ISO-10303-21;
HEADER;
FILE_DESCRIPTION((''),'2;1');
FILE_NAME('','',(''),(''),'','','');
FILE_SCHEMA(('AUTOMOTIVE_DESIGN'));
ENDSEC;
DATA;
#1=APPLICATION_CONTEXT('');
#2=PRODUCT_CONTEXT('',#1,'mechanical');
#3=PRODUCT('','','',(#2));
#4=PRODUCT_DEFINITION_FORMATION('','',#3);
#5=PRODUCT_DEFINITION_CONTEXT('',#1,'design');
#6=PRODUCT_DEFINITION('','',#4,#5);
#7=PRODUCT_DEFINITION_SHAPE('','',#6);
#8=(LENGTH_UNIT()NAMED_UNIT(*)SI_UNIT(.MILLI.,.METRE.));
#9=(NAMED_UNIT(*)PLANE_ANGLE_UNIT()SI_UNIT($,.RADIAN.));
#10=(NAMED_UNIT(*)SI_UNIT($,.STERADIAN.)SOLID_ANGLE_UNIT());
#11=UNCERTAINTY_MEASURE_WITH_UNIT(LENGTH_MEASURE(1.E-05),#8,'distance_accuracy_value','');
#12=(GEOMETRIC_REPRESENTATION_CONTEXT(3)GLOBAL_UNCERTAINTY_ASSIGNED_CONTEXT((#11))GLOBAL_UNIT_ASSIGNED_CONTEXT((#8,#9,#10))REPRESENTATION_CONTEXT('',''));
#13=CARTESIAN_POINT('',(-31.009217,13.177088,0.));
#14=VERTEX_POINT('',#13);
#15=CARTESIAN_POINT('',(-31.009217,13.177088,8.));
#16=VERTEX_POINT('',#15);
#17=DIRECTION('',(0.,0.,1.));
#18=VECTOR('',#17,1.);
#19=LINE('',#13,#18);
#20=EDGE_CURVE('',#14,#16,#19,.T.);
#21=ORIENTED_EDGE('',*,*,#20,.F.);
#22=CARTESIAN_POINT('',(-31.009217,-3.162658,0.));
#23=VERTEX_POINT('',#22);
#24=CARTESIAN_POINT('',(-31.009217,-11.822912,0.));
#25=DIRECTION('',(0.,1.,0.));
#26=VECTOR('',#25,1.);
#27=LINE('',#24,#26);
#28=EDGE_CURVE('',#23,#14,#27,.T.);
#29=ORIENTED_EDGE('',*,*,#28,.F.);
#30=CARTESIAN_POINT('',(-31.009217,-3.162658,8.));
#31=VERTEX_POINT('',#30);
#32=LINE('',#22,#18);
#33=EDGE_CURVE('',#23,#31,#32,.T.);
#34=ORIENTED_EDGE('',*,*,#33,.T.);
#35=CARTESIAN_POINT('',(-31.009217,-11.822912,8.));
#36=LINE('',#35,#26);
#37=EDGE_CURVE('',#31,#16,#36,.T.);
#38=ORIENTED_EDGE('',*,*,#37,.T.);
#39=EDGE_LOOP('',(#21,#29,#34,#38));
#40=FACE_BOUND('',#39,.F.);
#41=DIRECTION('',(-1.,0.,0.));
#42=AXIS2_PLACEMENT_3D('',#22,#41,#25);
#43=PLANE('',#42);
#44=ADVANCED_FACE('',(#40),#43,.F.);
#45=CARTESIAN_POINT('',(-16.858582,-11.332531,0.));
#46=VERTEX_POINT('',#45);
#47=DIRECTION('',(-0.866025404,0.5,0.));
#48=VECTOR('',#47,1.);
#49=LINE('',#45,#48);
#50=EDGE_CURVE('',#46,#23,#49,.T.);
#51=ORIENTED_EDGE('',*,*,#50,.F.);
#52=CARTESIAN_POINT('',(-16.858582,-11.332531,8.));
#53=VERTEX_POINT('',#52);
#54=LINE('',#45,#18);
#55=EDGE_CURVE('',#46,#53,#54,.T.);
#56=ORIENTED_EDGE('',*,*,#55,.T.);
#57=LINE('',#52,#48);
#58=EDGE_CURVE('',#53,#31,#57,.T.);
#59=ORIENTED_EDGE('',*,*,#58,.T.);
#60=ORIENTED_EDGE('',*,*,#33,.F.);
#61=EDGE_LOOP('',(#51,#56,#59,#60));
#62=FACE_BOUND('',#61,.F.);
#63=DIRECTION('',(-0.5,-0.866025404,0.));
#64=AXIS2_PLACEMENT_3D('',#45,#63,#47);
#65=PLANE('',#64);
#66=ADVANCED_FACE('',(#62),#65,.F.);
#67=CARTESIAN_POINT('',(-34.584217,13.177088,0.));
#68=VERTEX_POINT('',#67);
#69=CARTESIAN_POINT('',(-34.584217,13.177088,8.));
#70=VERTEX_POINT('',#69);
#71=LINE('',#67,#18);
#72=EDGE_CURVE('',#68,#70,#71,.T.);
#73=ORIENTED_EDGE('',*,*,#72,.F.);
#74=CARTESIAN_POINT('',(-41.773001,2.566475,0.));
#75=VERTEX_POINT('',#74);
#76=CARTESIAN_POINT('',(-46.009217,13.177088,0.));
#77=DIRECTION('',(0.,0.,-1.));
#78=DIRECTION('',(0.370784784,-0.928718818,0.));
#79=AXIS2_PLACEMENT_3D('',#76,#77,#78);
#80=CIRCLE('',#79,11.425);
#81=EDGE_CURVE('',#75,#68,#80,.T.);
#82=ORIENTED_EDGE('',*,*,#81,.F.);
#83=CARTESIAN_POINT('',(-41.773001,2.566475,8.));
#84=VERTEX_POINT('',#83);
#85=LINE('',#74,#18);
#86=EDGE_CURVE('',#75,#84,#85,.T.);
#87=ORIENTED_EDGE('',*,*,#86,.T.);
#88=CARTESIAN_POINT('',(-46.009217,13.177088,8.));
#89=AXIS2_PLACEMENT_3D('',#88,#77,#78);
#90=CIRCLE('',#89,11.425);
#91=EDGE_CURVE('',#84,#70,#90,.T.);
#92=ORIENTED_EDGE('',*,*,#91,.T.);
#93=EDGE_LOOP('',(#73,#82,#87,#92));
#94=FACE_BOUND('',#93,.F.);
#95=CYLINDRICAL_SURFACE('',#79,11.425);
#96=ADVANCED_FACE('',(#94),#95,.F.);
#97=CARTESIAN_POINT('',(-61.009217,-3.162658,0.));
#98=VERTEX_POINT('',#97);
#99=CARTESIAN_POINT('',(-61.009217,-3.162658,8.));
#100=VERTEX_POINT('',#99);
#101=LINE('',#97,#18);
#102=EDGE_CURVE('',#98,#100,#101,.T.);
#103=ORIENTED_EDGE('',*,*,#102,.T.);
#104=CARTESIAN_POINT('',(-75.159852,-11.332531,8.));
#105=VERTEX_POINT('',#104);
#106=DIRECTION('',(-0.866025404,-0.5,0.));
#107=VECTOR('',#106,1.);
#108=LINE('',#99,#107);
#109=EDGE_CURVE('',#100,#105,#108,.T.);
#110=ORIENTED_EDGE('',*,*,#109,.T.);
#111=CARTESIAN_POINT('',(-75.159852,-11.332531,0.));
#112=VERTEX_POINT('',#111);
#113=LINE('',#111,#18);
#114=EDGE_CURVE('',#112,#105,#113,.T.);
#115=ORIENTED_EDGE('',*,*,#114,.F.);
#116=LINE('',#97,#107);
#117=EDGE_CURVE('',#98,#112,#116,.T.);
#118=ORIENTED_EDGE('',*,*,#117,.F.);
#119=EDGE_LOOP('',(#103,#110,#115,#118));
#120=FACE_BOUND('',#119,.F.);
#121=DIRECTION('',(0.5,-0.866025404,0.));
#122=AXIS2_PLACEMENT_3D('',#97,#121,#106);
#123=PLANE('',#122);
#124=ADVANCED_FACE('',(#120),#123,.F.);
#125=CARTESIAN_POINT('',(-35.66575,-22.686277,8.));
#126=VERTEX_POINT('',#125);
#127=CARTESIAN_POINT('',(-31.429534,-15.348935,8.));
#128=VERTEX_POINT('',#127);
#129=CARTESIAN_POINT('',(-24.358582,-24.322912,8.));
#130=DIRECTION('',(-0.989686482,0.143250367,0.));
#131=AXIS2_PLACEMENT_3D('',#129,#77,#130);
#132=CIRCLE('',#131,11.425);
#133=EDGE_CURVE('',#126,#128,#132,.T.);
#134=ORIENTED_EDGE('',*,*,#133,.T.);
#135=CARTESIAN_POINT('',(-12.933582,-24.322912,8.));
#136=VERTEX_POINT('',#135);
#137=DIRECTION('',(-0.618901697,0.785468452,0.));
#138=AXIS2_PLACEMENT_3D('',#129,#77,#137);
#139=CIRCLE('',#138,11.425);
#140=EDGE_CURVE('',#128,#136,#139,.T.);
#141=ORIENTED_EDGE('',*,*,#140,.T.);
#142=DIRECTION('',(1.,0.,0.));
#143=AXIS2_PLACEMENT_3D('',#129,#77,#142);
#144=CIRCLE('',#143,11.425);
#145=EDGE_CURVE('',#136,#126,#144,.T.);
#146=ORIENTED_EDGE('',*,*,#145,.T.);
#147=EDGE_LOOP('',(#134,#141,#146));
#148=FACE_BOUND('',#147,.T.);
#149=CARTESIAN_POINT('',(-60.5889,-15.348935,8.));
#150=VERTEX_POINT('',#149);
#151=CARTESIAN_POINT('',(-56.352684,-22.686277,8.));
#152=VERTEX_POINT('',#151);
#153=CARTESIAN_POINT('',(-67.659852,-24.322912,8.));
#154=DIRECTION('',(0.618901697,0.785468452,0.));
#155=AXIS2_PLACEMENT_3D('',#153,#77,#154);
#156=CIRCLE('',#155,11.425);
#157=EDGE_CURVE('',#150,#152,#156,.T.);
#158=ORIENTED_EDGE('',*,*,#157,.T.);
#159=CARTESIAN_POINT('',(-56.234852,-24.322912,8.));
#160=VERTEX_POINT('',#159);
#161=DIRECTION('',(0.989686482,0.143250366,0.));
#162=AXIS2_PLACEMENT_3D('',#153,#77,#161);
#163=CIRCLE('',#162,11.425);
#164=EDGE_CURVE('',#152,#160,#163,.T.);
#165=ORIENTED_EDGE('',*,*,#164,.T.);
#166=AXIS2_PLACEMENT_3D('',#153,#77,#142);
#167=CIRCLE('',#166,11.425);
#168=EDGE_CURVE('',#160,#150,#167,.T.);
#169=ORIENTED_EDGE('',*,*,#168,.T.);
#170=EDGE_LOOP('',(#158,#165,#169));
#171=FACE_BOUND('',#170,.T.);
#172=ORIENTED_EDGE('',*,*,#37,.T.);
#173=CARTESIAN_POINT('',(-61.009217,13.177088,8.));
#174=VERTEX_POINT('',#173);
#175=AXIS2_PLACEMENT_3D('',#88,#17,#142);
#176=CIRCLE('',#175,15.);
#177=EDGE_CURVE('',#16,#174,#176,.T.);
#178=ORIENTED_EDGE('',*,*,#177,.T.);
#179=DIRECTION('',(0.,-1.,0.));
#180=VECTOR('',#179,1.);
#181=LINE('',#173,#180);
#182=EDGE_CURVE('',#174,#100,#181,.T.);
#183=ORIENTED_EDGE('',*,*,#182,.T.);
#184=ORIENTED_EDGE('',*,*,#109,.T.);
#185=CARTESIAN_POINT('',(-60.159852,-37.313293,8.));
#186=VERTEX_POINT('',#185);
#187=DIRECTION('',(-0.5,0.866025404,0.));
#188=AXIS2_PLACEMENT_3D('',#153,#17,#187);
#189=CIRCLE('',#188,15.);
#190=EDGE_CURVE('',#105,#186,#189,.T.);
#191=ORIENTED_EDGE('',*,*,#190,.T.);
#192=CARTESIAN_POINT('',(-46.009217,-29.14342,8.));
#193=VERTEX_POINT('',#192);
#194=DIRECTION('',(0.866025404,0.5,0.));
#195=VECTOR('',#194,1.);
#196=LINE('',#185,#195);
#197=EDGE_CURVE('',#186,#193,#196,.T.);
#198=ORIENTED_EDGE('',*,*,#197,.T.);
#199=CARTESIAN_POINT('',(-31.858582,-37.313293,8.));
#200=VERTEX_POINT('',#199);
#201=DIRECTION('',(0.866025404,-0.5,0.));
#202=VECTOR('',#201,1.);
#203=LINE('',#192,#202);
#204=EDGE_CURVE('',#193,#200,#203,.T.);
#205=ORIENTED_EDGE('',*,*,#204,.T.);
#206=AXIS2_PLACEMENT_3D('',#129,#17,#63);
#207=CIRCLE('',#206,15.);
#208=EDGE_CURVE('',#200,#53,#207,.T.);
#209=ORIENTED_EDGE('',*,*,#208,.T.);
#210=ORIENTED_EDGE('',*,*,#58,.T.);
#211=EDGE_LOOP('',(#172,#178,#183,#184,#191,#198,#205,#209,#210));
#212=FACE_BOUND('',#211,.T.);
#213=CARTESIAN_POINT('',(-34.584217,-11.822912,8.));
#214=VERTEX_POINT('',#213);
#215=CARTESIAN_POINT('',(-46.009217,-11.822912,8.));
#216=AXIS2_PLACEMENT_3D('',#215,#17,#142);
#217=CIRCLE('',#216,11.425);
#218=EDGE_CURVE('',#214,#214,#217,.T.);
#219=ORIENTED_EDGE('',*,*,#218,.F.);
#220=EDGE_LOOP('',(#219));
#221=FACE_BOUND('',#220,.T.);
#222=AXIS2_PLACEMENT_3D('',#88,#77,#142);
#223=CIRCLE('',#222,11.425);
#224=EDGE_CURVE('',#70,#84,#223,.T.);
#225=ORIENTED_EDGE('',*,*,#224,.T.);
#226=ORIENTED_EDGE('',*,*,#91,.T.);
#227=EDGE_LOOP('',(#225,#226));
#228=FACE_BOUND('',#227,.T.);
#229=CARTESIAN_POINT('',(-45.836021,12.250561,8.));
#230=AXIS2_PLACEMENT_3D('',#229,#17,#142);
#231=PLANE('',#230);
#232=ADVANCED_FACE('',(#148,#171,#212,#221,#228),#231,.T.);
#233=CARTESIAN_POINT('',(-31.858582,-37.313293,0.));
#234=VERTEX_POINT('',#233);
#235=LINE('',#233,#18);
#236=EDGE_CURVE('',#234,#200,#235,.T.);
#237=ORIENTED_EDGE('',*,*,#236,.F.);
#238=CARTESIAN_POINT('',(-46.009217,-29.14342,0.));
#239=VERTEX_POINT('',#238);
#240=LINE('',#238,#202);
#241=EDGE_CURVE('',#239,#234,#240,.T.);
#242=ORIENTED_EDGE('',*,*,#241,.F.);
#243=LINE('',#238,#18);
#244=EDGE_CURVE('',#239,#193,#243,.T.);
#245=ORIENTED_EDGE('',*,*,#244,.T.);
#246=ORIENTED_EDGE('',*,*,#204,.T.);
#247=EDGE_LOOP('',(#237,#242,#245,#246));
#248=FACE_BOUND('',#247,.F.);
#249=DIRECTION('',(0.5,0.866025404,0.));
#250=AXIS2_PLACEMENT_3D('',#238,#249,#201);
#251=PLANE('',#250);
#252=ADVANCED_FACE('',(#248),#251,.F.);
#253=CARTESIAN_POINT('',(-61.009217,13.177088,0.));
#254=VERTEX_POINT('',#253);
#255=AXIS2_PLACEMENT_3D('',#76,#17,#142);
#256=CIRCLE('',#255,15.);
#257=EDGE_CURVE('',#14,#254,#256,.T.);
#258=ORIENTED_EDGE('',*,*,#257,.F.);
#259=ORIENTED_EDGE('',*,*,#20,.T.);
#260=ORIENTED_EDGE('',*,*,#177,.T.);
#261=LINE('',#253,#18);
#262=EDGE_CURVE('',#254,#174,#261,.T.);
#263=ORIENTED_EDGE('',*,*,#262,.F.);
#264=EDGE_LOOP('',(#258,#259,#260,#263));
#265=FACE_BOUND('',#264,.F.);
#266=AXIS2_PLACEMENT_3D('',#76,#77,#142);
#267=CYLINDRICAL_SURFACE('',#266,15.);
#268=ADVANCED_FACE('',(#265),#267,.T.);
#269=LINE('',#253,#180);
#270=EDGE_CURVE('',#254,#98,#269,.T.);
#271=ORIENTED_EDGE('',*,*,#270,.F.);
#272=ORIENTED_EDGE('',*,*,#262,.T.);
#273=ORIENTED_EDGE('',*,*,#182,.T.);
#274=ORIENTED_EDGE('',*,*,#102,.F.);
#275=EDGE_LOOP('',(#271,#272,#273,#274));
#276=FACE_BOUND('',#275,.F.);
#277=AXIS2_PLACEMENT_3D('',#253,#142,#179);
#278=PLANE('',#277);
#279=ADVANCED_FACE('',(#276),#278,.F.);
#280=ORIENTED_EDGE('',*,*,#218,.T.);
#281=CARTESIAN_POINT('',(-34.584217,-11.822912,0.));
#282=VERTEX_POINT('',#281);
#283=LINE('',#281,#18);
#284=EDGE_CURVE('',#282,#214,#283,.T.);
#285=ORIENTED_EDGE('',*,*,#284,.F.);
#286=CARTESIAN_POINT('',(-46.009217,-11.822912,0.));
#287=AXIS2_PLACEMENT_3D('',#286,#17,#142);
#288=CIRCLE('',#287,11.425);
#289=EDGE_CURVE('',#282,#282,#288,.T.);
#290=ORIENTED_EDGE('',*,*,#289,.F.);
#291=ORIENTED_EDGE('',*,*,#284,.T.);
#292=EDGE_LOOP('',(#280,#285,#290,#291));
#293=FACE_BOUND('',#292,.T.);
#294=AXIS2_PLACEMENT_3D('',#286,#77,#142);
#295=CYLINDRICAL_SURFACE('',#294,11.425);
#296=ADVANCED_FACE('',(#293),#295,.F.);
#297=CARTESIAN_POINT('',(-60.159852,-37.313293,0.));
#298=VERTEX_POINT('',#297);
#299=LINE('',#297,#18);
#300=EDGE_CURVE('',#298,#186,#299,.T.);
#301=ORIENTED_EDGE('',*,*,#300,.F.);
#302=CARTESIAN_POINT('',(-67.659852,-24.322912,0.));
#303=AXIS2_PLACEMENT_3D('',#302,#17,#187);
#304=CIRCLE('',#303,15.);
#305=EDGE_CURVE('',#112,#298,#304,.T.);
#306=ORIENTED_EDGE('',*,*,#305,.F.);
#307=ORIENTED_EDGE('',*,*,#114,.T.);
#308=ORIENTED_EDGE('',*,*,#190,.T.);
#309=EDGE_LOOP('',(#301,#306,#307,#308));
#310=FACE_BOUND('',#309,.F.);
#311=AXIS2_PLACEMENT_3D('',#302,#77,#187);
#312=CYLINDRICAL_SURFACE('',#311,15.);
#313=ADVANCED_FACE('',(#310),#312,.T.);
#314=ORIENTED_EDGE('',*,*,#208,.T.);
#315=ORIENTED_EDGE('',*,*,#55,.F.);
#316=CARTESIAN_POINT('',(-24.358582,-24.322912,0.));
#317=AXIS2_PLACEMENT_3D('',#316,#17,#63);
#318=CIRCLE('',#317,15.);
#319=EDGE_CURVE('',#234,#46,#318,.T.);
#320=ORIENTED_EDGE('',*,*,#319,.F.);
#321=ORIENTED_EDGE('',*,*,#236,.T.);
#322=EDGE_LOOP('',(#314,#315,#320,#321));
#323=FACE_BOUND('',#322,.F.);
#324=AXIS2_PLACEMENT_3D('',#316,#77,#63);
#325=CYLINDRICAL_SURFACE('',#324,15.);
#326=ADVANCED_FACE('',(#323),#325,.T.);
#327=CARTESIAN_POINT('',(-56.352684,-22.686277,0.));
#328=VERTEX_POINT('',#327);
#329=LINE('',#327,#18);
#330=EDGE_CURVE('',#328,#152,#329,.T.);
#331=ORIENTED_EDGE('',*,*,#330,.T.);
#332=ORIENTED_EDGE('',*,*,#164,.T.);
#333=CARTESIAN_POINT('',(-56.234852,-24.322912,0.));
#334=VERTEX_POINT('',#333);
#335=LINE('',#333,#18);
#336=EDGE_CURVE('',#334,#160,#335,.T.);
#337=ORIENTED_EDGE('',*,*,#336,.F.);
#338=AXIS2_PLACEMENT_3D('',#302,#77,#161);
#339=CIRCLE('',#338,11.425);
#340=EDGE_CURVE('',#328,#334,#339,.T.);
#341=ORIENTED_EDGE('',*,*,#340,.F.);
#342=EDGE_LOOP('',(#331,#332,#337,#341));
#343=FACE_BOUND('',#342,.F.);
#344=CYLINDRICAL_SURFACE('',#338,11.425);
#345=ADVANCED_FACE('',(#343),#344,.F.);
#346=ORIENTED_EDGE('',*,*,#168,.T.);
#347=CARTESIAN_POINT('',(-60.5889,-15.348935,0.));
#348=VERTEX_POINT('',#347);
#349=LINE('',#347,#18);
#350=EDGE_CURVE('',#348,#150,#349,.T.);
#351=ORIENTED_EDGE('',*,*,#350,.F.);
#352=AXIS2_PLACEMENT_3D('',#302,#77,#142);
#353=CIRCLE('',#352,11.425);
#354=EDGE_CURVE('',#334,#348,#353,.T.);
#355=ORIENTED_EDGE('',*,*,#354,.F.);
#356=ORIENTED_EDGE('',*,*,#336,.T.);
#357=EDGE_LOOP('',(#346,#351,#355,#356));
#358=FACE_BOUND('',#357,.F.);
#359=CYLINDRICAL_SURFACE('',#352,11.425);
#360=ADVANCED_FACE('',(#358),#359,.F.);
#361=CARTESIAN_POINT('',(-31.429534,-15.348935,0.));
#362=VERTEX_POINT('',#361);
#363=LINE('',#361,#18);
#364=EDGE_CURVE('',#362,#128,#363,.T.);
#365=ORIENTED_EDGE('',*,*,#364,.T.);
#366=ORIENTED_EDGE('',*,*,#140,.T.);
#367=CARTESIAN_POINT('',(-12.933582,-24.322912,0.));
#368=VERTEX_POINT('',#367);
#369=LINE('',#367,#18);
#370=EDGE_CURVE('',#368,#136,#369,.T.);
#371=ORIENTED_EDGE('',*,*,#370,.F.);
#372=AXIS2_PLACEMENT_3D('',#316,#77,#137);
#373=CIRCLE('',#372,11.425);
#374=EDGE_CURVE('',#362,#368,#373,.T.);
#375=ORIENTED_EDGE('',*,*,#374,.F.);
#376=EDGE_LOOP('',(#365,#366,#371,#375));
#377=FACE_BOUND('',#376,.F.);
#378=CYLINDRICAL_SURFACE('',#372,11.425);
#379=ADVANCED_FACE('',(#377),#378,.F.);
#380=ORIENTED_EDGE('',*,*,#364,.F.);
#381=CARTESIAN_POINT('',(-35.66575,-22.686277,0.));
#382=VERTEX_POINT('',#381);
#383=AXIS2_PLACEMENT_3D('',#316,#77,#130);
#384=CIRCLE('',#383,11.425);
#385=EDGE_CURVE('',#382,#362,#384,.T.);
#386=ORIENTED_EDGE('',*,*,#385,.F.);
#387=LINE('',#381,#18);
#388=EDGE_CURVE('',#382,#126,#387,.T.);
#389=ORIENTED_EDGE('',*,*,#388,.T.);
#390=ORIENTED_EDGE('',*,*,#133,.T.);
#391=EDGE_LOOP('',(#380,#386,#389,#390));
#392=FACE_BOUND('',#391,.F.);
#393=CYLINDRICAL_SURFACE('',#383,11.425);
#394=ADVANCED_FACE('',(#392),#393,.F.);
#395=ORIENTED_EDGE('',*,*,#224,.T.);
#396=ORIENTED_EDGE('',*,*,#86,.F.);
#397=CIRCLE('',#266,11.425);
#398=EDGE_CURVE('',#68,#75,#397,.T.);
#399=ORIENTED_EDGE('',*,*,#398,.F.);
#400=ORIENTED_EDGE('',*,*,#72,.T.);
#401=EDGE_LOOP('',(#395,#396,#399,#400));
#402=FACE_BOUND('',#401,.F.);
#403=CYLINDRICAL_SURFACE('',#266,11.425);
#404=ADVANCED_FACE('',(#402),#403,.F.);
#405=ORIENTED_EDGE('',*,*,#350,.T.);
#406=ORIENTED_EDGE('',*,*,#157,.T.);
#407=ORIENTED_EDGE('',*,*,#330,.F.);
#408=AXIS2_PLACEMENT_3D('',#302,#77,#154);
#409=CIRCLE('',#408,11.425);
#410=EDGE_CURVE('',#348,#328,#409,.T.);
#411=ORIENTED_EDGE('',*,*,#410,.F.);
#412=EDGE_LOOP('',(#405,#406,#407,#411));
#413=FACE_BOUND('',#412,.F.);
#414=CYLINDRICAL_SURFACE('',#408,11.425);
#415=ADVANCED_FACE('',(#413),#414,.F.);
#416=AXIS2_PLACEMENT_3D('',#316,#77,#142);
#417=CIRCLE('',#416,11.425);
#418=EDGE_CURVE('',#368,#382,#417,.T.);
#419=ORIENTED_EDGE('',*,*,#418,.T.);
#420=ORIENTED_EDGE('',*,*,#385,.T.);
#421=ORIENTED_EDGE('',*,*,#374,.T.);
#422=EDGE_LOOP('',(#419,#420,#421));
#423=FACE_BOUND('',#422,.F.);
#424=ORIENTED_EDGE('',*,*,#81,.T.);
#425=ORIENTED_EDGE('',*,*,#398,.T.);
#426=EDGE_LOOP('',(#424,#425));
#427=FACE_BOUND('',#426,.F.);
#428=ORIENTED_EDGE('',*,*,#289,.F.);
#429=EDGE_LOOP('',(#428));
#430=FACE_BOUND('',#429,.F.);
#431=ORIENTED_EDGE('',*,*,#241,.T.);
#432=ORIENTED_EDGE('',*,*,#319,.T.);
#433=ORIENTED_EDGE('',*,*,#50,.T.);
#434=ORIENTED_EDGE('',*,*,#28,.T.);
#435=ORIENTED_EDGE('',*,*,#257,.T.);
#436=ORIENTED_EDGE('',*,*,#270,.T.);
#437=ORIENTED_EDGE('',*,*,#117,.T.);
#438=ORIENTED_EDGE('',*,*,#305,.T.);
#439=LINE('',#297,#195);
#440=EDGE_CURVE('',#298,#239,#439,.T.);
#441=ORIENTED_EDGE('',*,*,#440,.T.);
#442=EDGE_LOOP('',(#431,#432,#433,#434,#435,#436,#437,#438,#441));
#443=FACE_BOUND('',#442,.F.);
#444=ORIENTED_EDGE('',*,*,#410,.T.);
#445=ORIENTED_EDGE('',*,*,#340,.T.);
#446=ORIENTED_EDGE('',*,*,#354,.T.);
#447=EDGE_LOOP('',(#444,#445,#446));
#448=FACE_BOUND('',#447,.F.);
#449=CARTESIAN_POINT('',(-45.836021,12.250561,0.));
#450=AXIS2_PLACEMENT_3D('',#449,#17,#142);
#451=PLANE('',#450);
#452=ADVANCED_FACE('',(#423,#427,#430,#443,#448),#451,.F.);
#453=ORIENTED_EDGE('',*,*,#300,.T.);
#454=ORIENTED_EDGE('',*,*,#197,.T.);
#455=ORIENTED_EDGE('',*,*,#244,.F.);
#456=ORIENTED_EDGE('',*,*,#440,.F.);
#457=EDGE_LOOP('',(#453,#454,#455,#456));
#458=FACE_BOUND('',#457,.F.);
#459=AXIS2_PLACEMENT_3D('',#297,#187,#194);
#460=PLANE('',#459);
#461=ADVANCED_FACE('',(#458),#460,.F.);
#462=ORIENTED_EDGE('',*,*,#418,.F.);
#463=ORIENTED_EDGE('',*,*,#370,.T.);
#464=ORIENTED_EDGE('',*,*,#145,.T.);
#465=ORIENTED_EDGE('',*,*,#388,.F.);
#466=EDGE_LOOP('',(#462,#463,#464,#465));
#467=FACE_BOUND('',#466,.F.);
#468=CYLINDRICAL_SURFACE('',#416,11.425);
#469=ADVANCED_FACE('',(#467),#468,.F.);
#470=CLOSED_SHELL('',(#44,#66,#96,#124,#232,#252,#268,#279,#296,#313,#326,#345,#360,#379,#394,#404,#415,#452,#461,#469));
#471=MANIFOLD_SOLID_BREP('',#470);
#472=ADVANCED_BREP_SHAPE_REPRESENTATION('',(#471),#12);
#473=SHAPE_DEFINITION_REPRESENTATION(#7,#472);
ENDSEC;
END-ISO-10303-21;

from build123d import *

# Parameters (mm, degrees)
F0_R     = 11.425
F1_DEPTH = 8


with BuildPart() as f1:
    # F0 (on Top) → F1 (new body)
    with BuildSketch(Plane.XY):
        with BuildLine():
            ThreePointArc((-50.2454332161, 2.5664754466), (-52.4174873095, 22.6356659226), (-34.5842170537, 13.1770879466))
            ThreePointArc((-34.5842170537, 13.1770879466), (-36.5506390777, 6.7688176907), (-41.7730008912, 2.5664754466))
            ThreePointArc((-41.7730008912, 2.5664754466), (-40.0995641696, 1.963893334), (-38.5092170537, 1.1674690033))
            Line((-38.5092170537, 1.1674690033), (-31.0092170537, -3.1626580156))
            Line((-31.0092170537, -3.1626580156), (-31.0092170537, 13.1770879466))
            ThreePointArc((-31.0092170537, 13.1770879466), (-46.0092170537, 28.1770879466), (-61.0092170537, 13.1770879466))
            Line((-61.0092170537, 13.1770879466), (-61.0092170537, -3.1626580156))
            Line((-61.0092170537, -3.1626580156), (-53.5092170537, 1.1674690033))
            ThreePointArc((-53.5092170537, 1.1674690033), (-51.9188699377, 1.963893334), (-50.2454332161, 2.5664754466))
        make_face()
        with BuildLine():
            ThreePointArc((-61.0092170537, -11.8229120534), (-58.9995981104, -4.3229120534), (-53.5092170537, 1.1674690033))
            Line((-53.5092170537, 1.1674690033), (-61.0092170537, -3.1626580156))
            Line((-61.0092170537, -3.1626580156), (-61.0092170537, -11.8229120534))
        make_face()
        with BuildLine():
            Line((-31.0092170537, -3.1626580156), (-38.5092170537, 1.1674690033))
            ThreePointArc((-38.5092170537, 1.1674690033), (-33.0188359969, -4.3229120534), (-31.0092170537, -11.8229120534))
            Line((-31.0092170537, -11.8229120534), (-31.0092170537, -3.1626580156))
        make_face()
        with BuildLine():
            Line((-61.0092170537, -11.8229120534), (-61.0092170537, -3.1626580156))
            Line((-61.0092170537, -3.1626580156), (-75.1598521483, -11.3325309967))
            ThreePointArc((-75.1598521483, -11.3325309967), (-80.650233205, -31.8229120534), (-60.1598521483, -37.3132931102))
            Line((-60.1598521483, -37.3132931102), (-46.0092170537, -29.1434201291))
            Line((-46.0092170537, -29.1434201291), (-53.5092170537, -24.8132931102))
            ThreePointArc((-53.5092170537, -24.8132931102), (-54.9941143142, -23.8342242723), (-56.3526840923, -22.686276616))
            ThreePointArc((-56.3526840923, -22.686276616), (-56.2643482095, -23.5024762055), (-56.2348521483, -24.3229120534))
            ThreePointArc((-56.2348521483, -24.3229120534), (-77.9388659721, -29.3101457364), (-60.5889002548, -15.3489349908))
            ThreePointArc((-60.5889002548, -15.3489349908), (-60.9037671982, -13.598405222), (-61.0092170537, -11.8229120534))
        make_face()
        with BuildLine():
            Line((-31.0092170537, -3.1626580156), (-31.0092170537, -11.8229120534))
            ThreePointArc((-31.0092170537, -11.8229120534), (-31.1146669091, -13.598405222), (-31.4295338525, -15.3489349908))
            ThreePointArc((-31.4295338525, -15.3489349908), (-19.3713482761, -14.0438982295), (-12.933581959, -24.3229120534))
            ThreePointArc((-12.933581959, -24.3229120534), (-25.1790178069, -35.7184159922), (-35.665750015, -22.686276616))
            ThreePointArc((-35.665750015, -22.686276616), (-37.0243197932, -23.8342242723), (-38.5092170537, -24.8132931102))
            Line((-38.5092170537, -24.8132931102), (-46.0092170537, -29.1434201291))
            Line((-46.0092170537, -29.1434201291), (-31.858581959, -37.3132931102))
            ThreePointArc((-31.858581959, -37.3132931102), (-11.3682009023, -31.8229120534), (-16.858581959, -11.3325309967))
            Line((-16.858581959, -11.3325309967), (-31.0092170537, -3.1626580156))
        make_face()
        with BuildLine():
            Line((-53.5092170537, -24.8132931102), (-46.0092170537, -29.1434201291))
            Line((-46.0092170537, -29.1434201291), (-38.5092170537, -24.8132931102))
            ThreePointArc((-38.5092170537, -24.8132931102), (-46.0092170537, -26.8229120534), (-53.5092170537, -24.8132931102))
        make_face()
        with BuildLine():
            ThreePointArc((-41.7730008912, 2.5664754466), (-46.0092170537, 1.7520879466), (-50.2454332161, 2.5664754466))
            ThreePointArc((-50.2454332161, 2.5664754466), (-51.9188699377, 1.963893334), (-53.5092170537, 1.1674690033))
            ThreePointArc((-53.5092170537, 1.1674690033), (-58.9995981104, -4.3229120534), (-61.0092170537, -11.8229120534))
            ThreePointArc((-61.0092170537, -11.8229120534), (-60.9037671982, -13.598405222), (-60.5889002548, -15.3489349908))
            ThreePointArc((-60.5889002548, -15.3489349908), (-57.76551191, -18.6104120534), (-56.3526840923, -22.686276616))
            ThreePointArc((-56.3526840923, -22.686276616), (-54.9941143142, -23.8342242723), (-53.5092170537, -24.8132931102))
            ThreePointArc((-53.5092170537, -24.8132931102), (-46.0092170537, -26.8229120534), (-38.5092170537, -24.8132931102))
            ThreePointArc((-38.5092170537, -24.8132931102), (-37.0243197932, -23.8342242723), (-35.665750015, -22.686276616))
            ThreePointArc((-35.665750015, -22.686276616), (-34.2529221973, -18.6104120534), (-31.4295338525, -15.3489349908))
            ThreePointArc((-31.4295338525, -15.3489349908), (-31.1146669091, -13.598405222), (-31.0092170537, -11.8229120534))
            ThreePointArc((-31.0092170537, -11.8229120534), (-33.0188359969, -4.3229120534), (-38.5092170537, 1.1674690033))
            ThreePointArc((-38.5092170537, 1.1674690033), (-40.0995641696, 1.963893334), (-41.7730008912, 2.5664754466))
        make_face()
        with Locations((-46.0092170537, -11.8229120534)):
            Circle(F0_R, mode=Mode.SUBTRACT)
    extrude(amount=F1_DEPTH)


solid = f1.part
